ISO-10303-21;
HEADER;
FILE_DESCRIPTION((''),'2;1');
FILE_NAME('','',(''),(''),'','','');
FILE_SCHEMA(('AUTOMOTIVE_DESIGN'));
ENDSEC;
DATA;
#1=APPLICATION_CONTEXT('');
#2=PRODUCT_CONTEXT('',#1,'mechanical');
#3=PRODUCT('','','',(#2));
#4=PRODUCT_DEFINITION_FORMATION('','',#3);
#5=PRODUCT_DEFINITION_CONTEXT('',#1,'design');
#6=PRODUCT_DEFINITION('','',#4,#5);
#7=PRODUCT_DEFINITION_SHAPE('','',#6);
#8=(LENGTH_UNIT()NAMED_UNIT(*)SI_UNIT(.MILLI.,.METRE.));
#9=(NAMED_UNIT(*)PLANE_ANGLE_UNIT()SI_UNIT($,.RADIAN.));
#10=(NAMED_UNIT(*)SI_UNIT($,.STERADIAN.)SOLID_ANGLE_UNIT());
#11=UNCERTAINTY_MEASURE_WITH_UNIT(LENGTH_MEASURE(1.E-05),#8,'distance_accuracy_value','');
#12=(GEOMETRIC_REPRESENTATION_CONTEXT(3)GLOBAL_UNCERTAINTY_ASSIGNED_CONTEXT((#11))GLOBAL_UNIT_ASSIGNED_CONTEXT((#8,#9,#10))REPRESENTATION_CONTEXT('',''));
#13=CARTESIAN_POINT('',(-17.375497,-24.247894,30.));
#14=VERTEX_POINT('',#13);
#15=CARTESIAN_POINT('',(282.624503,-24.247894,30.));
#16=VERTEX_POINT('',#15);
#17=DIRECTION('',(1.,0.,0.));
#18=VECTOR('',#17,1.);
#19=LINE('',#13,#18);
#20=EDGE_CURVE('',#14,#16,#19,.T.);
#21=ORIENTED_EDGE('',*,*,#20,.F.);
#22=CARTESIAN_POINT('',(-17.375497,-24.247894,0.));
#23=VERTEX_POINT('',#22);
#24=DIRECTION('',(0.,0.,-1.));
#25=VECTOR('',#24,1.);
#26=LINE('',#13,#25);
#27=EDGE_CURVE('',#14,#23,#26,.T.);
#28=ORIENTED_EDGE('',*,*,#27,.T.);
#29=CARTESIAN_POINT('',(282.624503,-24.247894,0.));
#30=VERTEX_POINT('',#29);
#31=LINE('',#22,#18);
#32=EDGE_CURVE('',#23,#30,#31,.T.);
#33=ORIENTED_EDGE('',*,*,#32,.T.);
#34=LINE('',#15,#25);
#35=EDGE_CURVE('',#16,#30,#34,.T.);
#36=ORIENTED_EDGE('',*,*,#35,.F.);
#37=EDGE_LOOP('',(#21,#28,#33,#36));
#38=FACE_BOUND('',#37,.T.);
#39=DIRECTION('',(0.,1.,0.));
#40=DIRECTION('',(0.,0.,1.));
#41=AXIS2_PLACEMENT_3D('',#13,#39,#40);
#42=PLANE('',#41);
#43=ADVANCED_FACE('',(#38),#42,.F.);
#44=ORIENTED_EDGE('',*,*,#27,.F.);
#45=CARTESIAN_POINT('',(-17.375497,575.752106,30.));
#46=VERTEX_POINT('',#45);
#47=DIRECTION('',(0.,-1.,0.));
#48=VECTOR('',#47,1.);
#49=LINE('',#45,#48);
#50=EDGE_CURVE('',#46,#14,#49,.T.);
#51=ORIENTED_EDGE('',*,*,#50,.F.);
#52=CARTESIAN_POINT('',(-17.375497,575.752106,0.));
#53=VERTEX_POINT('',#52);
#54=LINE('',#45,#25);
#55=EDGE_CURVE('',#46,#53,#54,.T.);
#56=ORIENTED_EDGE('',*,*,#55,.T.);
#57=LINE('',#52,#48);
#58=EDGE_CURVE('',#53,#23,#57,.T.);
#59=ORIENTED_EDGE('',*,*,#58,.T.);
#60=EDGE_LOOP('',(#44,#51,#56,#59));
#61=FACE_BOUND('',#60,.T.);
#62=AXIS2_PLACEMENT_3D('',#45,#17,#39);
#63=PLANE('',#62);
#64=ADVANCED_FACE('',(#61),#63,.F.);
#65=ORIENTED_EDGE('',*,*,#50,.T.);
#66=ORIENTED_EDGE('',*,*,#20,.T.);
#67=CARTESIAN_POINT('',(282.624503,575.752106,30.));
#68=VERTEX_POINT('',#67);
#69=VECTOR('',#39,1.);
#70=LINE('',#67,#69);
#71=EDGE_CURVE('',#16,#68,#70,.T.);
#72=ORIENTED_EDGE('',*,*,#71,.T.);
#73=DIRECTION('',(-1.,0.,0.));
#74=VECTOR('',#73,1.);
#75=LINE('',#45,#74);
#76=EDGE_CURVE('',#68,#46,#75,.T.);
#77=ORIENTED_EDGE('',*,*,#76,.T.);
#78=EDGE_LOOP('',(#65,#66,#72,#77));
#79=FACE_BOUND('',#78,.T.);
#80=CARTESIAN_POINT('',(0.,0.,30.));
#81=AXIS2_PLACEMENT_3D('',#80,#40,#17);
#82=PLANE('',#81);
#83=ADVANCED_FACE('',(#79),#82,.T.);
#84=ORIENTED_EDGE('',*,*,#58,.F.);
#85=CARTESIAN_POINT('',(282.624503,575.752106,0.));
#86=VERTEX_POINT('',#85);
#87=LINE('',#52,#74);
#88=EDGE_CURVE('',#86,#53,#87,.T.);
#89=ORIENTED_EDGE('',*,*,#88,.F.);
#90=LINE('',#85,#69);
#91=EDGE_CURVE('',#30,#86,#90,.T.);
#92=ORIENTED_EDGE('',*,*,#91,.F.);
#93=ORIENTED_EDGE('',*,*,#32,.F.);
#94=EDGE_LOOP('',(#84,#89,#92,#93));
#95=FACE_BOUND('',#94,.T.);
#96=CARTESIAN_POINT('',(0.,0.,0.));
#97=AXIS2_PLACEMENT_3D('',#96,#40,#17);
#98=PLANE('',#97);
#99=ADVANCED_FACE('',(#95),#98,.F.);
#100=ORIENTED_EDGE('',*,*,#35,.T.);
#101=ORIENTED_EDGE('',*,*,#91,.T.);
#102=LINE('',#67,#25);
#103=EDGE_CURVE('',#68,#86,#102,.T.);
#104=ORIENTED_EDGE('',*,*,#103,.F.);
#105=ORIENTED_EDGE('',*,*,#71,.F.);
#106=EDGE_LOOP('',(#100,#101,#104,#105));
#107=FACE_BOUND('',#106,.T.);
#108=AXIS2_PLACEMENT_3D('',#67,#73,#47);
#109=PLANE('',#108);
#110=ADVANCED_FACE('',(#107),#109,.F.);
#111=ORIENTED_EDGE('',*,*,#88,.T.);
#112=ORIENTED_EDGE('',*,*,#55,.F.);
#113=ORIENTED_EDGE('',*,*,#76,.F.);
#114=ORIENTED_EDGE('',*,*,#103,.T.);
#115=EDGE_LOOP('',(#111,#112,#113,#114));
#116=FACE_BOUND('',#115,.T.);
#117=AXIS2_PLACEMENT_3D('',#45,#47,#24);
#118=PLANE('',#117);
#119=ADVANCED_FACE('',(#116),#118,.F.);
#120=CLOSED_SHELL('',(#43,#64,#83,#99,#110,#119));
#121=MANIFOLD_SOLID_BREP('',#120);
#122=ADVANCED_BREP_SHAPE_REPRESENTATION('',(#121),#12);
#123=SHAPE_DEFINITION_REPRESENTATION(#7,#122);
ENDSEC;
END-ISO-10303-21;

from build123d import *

# Parameters (mm, degrees)
SKETCH_1_W      = 300
SKETCH_1_H      = 600
EXTRUDE_1_DEPTH = 30


with BuildPart() as part:
    # Эскиз1 → Бобышка-Вытянуть1 (new body)
    with BuildSketch(Plane.XY):
        with Locations((132.624503416, 275.752105514)):
            Rectangle(SKETCH_1_W, SKETCH_1_H)
    extrude(amount=EXTRUDE_1_DEPTH)


solid = part.part
